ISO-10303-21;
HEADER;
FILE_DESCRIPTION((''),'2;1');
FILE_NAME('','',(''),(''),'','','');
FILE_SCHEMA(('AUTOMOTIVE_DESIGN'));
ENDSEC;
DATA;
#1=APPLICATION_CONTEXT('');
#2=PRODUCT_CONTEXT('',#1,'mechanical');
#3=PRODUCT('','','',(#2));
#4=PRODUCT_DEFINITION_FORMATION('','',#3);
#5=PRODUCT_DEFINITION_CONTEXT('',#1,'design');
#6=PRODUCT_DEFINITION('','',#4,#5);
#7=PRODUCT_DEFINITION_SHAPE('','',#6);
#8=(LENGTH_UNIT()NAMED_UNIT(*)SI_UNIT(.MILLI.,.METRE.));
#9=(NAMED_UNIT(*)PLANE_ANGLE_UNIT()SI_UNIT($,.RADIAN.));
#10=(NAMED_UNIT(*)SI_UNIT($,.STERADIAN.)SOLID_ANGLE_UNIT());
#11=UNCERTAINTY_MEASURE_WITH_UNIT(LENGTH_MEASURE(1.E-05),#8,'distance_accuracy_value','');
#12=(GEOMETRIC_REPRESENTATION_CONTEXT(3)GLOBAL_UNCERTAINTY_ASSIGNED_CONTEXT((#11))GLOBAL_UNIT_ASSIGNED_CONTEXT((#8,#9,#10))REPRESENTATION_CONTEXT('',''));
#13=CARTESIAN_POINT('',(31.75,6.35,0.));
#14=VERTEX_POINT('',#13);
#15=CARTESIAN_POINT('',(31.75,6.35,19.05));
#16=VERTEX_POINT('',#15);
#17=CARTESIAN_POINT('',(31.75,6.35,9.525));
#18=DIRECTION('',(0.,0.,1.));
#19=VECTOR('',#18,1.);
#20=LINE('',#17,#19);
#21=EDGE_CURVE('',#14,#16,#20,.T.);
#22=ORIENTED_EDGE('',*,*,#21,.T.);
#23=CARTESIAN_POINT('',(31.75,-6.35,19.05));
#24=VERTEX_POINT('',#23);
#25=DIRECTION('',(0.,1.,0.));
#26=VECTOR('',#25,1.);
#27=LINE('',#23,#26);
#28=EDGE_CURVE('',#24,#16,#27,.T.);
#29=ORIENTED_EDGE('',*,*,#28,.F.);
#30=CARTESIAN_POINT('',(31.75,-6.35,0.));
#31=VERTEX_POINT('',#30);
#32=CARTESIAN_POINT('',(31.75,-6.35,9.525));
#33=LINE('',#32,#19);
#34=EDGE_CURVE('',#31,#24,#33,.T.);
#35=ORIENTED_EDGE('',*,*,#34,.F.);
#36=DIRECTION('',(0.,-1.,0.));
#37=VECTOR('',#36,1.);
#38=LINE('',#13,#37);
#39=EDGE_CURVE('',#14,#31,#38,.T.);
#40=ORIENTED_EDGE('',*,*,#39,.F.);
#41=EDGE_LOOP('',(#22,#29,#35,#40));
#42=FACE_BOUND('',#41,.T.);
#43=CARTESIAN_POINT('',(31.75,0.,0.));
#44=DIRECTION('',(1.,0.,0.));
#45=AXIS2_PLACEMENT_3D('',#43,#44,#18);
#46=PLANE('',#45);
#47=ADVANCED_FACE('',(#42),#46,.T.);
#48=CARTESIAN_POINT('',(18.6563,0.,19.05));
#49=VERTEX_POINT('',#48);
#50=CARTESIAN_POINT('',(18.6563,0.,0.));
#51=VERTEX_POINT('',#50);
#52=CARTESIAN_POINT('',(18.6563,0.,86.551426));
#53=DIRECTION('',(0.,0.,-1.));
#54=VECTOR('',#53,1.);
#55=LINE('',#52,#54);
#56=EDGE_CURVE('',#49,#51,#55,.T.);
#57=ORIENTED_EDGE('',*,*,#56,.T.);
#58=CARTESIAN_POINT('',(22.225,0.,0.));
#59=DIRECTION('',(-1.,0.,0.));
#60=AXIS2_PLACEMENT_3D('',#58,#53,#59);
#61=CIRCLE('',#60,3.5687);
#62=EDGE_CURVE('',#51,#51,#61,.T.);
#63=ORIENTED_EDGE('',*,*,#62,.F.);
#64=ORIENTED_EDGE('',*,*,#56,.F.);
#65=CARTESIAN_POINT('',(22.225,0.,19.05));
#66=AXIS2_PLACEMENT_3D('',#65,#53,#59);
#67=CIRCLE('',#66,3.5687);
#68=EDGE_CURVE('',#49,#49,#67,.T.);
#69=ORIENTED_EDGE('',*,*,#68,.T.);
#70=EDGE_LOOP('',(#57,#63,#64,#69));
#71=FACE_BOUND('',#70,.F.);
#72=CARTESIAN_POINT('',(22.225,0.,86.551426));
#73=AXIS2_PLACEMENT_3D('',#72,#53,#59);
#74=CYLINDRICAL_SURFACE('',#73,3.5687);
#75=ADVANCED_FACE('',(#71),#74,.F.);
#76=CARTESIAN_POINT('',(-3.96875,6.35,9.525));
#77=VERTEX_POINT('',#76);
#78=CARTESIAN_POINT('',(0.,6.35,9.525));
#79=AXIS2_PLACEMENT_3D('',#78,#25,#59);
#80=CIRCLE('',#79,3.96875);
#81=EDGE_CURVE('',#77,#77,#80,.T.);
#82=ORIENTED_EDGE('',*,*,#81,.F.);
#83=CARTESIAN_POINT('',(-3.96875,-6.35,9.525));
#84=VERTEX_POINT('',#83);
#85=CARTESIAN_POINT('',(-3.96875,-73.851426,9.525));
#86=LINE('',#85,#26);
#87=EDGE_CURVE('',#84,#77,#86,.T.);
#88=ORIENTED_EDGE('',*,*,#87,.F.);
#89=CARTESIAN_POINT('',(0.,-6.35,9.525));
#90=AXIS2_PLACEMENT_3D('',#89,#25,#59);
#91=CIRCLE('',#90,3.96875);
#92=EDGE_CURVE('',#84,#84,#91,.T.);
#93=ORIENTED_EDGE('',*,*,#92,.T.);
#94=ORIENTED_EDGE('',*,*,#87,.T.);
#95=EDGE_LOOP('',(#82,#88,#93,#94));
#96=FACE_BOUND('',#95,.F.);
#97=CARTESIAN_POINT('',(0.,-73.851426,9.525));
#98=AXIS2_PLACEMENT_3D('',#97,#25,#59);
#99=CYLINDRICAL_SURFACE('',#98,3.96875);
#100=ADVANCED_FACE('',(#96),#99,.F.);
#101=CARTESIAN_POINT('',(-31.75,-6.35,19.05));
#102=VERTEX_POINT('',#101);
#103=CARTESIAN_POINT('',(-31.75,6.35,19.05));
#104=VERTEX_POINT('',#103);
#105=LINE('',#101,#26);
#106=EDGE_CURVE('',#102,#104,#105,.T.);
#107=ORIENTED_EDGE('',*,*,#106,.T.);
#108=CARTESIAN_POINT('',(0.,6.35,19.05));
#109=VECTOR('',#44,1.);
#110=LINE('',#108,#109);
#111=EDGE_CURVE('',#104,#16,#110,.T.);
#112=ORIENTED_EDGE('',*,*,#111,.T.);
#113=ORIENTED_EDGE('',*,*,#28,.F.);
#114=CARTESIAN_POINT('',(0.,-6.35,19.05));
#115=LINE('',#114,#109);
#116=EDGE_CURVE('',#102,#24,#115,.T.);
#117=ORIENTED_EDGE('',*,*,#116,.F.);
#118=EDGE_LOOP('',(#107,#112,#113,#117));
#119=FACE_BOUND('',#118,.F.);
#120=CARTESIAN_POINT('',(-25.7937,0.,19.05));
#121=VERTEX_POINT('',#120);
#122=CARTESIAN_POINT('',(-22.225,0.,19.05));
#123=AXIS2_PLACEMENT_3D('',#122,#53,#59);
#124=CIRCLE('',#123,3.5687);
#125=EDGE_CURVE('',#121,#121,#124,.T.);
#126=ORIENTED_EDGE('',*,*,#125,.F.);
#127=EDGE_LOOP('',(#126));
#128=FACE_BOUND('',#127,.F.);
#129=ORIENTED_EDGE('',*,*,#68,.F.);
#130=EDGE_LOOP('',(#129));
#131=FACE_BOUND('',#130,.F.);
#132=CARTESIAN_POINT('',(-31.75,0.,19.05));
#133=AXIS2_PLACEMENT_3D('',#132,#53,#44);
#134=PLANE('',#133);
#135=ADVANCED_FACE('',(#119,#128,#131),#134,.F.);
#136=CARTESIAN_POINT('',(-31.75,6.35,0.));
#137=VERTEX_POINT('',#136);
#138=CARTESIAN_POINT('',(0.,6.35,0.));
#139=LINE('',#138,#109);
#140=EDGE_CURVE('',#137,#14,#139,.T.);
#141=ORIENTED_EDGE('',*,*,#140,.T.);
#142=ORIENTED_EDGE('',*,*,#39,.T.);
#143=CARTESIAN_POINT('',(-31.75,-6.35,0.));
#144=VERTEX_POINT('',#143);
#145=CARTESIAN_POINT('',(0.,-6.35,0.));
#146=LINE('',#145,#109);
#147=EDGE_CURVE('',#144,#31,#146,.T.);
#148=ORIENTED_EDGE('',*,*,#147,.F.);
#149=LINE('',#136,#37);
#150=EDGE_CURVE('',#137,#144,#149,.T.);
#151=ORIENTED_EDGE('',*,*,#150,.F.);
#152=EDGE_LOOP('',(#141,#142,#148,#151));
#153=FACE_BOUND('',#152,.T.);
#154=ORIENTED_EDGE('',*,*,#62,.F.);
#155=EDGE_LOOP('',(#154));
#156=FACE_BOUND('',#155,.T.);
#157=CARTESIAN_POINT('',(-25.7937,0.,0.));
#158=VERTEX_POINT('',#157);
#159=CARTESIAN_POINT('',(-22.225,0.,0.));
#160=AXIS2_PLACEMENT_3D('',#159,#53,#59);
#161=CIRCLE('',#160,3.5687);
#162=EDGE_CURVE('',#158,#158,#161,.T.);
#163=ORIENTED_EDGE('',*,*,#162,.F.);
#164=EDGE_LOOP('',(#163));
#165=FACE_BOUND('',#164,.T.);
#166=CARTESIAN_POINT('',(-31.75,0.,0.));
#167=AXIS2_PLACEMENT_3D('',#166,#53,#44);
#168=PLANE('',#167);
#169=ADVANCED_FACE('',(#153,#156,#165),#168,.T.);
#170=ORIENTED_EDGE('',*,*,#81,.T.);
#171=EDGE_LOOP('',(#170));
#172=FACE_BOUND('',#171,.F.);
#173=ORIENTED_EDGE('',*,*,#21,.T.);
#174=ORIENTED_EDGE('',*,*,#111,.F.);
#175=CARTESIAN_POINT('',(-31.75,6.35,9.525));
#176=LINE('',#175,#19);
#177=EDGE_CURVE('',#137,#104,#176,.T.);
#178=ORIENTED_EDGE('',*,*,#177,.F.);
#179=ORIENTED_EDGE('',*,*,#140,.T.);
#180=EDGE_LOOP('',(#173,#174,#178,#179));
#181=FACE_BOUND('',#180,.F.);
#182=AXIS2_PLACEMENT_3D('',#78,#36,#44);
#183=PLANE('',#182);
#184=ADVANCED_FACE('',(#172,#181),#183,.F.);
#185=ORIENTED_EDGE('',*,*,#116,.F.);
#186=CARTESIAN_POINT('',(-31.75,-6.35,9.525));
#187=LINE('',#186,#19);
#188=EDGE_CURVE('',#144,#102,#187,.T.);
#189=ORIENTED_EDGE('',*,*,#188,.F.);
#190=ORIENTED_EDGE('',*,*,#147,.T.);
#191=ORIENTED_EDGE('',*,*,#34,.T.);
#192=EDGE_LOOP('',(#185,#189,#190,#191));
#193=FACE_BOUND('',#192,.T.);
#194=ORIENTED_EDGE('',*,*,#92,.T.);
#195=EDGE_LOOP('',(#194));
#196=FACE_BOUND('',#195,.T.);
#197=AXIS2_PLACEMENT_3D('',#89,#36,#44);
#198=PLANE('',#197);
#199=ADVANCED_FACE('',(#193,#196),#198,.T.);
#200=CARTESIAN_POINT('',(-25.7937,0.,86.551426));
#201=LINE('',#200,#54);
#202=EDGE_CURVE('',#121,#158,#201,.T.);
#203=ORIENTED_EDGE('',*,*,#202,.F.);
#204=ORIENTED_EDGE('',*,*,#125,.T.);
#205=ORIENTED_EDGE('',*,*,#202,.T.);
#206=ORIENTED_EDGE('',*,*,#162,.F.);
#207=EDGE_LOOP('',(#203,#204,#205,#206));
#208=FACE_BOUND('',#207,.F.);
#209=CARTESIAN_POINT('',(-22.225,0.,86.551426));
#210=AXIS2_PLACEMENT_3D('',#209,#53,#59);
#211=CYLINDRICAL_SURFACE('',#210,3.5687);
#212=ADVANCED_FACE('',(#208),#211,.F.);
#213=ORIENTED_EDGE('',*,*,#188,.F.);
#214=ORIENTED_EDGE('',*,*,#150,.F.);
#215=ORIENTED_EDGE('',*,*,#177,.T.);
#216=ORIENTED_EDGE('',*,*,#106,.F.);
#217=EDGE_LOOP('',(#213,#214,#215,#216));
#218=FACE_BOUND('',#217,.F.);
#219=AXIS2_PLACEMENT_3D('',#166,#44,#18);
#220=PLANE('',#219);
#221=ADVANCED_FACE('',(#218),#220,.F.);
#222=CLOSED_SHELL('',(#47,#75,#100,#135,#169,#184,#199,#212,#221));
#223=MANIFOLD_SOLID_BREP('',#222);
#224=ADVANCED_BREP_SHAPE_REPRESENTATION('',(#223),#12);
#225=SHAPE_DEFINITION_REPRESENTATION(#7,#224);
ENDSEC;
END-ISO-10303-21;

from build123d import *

# Parameters (mm, degrees)
F0_W     = 63.5
F0_H     = 19.05
F1_DEPTH = 6.35
F4_D     = 7.9375
F5_D     = 7.1374


with BuildPart() as f1:
    # F0 (on Front) → F1 (new body, symmetric)
    with BuildSketch(Plane.XZ):
        with Locations((0, 9.525)):
            Rectangle(F0_W, F0_H)
    extrude(amount=F1_DEPTH, both=True)

    # F4 (through all)
    with Locations(Plane.XZ.offset(6.35)):
        with Locations((0, 9.525)):
            Hole(F4_D / 2)

    # F5 (through all)
    with Locations(Plane.XY.offset(19.05)):
        with Locations((-22.225, 0), (22.225, 0)):
            Hole(F5_D / 2)


solid = f1.part
